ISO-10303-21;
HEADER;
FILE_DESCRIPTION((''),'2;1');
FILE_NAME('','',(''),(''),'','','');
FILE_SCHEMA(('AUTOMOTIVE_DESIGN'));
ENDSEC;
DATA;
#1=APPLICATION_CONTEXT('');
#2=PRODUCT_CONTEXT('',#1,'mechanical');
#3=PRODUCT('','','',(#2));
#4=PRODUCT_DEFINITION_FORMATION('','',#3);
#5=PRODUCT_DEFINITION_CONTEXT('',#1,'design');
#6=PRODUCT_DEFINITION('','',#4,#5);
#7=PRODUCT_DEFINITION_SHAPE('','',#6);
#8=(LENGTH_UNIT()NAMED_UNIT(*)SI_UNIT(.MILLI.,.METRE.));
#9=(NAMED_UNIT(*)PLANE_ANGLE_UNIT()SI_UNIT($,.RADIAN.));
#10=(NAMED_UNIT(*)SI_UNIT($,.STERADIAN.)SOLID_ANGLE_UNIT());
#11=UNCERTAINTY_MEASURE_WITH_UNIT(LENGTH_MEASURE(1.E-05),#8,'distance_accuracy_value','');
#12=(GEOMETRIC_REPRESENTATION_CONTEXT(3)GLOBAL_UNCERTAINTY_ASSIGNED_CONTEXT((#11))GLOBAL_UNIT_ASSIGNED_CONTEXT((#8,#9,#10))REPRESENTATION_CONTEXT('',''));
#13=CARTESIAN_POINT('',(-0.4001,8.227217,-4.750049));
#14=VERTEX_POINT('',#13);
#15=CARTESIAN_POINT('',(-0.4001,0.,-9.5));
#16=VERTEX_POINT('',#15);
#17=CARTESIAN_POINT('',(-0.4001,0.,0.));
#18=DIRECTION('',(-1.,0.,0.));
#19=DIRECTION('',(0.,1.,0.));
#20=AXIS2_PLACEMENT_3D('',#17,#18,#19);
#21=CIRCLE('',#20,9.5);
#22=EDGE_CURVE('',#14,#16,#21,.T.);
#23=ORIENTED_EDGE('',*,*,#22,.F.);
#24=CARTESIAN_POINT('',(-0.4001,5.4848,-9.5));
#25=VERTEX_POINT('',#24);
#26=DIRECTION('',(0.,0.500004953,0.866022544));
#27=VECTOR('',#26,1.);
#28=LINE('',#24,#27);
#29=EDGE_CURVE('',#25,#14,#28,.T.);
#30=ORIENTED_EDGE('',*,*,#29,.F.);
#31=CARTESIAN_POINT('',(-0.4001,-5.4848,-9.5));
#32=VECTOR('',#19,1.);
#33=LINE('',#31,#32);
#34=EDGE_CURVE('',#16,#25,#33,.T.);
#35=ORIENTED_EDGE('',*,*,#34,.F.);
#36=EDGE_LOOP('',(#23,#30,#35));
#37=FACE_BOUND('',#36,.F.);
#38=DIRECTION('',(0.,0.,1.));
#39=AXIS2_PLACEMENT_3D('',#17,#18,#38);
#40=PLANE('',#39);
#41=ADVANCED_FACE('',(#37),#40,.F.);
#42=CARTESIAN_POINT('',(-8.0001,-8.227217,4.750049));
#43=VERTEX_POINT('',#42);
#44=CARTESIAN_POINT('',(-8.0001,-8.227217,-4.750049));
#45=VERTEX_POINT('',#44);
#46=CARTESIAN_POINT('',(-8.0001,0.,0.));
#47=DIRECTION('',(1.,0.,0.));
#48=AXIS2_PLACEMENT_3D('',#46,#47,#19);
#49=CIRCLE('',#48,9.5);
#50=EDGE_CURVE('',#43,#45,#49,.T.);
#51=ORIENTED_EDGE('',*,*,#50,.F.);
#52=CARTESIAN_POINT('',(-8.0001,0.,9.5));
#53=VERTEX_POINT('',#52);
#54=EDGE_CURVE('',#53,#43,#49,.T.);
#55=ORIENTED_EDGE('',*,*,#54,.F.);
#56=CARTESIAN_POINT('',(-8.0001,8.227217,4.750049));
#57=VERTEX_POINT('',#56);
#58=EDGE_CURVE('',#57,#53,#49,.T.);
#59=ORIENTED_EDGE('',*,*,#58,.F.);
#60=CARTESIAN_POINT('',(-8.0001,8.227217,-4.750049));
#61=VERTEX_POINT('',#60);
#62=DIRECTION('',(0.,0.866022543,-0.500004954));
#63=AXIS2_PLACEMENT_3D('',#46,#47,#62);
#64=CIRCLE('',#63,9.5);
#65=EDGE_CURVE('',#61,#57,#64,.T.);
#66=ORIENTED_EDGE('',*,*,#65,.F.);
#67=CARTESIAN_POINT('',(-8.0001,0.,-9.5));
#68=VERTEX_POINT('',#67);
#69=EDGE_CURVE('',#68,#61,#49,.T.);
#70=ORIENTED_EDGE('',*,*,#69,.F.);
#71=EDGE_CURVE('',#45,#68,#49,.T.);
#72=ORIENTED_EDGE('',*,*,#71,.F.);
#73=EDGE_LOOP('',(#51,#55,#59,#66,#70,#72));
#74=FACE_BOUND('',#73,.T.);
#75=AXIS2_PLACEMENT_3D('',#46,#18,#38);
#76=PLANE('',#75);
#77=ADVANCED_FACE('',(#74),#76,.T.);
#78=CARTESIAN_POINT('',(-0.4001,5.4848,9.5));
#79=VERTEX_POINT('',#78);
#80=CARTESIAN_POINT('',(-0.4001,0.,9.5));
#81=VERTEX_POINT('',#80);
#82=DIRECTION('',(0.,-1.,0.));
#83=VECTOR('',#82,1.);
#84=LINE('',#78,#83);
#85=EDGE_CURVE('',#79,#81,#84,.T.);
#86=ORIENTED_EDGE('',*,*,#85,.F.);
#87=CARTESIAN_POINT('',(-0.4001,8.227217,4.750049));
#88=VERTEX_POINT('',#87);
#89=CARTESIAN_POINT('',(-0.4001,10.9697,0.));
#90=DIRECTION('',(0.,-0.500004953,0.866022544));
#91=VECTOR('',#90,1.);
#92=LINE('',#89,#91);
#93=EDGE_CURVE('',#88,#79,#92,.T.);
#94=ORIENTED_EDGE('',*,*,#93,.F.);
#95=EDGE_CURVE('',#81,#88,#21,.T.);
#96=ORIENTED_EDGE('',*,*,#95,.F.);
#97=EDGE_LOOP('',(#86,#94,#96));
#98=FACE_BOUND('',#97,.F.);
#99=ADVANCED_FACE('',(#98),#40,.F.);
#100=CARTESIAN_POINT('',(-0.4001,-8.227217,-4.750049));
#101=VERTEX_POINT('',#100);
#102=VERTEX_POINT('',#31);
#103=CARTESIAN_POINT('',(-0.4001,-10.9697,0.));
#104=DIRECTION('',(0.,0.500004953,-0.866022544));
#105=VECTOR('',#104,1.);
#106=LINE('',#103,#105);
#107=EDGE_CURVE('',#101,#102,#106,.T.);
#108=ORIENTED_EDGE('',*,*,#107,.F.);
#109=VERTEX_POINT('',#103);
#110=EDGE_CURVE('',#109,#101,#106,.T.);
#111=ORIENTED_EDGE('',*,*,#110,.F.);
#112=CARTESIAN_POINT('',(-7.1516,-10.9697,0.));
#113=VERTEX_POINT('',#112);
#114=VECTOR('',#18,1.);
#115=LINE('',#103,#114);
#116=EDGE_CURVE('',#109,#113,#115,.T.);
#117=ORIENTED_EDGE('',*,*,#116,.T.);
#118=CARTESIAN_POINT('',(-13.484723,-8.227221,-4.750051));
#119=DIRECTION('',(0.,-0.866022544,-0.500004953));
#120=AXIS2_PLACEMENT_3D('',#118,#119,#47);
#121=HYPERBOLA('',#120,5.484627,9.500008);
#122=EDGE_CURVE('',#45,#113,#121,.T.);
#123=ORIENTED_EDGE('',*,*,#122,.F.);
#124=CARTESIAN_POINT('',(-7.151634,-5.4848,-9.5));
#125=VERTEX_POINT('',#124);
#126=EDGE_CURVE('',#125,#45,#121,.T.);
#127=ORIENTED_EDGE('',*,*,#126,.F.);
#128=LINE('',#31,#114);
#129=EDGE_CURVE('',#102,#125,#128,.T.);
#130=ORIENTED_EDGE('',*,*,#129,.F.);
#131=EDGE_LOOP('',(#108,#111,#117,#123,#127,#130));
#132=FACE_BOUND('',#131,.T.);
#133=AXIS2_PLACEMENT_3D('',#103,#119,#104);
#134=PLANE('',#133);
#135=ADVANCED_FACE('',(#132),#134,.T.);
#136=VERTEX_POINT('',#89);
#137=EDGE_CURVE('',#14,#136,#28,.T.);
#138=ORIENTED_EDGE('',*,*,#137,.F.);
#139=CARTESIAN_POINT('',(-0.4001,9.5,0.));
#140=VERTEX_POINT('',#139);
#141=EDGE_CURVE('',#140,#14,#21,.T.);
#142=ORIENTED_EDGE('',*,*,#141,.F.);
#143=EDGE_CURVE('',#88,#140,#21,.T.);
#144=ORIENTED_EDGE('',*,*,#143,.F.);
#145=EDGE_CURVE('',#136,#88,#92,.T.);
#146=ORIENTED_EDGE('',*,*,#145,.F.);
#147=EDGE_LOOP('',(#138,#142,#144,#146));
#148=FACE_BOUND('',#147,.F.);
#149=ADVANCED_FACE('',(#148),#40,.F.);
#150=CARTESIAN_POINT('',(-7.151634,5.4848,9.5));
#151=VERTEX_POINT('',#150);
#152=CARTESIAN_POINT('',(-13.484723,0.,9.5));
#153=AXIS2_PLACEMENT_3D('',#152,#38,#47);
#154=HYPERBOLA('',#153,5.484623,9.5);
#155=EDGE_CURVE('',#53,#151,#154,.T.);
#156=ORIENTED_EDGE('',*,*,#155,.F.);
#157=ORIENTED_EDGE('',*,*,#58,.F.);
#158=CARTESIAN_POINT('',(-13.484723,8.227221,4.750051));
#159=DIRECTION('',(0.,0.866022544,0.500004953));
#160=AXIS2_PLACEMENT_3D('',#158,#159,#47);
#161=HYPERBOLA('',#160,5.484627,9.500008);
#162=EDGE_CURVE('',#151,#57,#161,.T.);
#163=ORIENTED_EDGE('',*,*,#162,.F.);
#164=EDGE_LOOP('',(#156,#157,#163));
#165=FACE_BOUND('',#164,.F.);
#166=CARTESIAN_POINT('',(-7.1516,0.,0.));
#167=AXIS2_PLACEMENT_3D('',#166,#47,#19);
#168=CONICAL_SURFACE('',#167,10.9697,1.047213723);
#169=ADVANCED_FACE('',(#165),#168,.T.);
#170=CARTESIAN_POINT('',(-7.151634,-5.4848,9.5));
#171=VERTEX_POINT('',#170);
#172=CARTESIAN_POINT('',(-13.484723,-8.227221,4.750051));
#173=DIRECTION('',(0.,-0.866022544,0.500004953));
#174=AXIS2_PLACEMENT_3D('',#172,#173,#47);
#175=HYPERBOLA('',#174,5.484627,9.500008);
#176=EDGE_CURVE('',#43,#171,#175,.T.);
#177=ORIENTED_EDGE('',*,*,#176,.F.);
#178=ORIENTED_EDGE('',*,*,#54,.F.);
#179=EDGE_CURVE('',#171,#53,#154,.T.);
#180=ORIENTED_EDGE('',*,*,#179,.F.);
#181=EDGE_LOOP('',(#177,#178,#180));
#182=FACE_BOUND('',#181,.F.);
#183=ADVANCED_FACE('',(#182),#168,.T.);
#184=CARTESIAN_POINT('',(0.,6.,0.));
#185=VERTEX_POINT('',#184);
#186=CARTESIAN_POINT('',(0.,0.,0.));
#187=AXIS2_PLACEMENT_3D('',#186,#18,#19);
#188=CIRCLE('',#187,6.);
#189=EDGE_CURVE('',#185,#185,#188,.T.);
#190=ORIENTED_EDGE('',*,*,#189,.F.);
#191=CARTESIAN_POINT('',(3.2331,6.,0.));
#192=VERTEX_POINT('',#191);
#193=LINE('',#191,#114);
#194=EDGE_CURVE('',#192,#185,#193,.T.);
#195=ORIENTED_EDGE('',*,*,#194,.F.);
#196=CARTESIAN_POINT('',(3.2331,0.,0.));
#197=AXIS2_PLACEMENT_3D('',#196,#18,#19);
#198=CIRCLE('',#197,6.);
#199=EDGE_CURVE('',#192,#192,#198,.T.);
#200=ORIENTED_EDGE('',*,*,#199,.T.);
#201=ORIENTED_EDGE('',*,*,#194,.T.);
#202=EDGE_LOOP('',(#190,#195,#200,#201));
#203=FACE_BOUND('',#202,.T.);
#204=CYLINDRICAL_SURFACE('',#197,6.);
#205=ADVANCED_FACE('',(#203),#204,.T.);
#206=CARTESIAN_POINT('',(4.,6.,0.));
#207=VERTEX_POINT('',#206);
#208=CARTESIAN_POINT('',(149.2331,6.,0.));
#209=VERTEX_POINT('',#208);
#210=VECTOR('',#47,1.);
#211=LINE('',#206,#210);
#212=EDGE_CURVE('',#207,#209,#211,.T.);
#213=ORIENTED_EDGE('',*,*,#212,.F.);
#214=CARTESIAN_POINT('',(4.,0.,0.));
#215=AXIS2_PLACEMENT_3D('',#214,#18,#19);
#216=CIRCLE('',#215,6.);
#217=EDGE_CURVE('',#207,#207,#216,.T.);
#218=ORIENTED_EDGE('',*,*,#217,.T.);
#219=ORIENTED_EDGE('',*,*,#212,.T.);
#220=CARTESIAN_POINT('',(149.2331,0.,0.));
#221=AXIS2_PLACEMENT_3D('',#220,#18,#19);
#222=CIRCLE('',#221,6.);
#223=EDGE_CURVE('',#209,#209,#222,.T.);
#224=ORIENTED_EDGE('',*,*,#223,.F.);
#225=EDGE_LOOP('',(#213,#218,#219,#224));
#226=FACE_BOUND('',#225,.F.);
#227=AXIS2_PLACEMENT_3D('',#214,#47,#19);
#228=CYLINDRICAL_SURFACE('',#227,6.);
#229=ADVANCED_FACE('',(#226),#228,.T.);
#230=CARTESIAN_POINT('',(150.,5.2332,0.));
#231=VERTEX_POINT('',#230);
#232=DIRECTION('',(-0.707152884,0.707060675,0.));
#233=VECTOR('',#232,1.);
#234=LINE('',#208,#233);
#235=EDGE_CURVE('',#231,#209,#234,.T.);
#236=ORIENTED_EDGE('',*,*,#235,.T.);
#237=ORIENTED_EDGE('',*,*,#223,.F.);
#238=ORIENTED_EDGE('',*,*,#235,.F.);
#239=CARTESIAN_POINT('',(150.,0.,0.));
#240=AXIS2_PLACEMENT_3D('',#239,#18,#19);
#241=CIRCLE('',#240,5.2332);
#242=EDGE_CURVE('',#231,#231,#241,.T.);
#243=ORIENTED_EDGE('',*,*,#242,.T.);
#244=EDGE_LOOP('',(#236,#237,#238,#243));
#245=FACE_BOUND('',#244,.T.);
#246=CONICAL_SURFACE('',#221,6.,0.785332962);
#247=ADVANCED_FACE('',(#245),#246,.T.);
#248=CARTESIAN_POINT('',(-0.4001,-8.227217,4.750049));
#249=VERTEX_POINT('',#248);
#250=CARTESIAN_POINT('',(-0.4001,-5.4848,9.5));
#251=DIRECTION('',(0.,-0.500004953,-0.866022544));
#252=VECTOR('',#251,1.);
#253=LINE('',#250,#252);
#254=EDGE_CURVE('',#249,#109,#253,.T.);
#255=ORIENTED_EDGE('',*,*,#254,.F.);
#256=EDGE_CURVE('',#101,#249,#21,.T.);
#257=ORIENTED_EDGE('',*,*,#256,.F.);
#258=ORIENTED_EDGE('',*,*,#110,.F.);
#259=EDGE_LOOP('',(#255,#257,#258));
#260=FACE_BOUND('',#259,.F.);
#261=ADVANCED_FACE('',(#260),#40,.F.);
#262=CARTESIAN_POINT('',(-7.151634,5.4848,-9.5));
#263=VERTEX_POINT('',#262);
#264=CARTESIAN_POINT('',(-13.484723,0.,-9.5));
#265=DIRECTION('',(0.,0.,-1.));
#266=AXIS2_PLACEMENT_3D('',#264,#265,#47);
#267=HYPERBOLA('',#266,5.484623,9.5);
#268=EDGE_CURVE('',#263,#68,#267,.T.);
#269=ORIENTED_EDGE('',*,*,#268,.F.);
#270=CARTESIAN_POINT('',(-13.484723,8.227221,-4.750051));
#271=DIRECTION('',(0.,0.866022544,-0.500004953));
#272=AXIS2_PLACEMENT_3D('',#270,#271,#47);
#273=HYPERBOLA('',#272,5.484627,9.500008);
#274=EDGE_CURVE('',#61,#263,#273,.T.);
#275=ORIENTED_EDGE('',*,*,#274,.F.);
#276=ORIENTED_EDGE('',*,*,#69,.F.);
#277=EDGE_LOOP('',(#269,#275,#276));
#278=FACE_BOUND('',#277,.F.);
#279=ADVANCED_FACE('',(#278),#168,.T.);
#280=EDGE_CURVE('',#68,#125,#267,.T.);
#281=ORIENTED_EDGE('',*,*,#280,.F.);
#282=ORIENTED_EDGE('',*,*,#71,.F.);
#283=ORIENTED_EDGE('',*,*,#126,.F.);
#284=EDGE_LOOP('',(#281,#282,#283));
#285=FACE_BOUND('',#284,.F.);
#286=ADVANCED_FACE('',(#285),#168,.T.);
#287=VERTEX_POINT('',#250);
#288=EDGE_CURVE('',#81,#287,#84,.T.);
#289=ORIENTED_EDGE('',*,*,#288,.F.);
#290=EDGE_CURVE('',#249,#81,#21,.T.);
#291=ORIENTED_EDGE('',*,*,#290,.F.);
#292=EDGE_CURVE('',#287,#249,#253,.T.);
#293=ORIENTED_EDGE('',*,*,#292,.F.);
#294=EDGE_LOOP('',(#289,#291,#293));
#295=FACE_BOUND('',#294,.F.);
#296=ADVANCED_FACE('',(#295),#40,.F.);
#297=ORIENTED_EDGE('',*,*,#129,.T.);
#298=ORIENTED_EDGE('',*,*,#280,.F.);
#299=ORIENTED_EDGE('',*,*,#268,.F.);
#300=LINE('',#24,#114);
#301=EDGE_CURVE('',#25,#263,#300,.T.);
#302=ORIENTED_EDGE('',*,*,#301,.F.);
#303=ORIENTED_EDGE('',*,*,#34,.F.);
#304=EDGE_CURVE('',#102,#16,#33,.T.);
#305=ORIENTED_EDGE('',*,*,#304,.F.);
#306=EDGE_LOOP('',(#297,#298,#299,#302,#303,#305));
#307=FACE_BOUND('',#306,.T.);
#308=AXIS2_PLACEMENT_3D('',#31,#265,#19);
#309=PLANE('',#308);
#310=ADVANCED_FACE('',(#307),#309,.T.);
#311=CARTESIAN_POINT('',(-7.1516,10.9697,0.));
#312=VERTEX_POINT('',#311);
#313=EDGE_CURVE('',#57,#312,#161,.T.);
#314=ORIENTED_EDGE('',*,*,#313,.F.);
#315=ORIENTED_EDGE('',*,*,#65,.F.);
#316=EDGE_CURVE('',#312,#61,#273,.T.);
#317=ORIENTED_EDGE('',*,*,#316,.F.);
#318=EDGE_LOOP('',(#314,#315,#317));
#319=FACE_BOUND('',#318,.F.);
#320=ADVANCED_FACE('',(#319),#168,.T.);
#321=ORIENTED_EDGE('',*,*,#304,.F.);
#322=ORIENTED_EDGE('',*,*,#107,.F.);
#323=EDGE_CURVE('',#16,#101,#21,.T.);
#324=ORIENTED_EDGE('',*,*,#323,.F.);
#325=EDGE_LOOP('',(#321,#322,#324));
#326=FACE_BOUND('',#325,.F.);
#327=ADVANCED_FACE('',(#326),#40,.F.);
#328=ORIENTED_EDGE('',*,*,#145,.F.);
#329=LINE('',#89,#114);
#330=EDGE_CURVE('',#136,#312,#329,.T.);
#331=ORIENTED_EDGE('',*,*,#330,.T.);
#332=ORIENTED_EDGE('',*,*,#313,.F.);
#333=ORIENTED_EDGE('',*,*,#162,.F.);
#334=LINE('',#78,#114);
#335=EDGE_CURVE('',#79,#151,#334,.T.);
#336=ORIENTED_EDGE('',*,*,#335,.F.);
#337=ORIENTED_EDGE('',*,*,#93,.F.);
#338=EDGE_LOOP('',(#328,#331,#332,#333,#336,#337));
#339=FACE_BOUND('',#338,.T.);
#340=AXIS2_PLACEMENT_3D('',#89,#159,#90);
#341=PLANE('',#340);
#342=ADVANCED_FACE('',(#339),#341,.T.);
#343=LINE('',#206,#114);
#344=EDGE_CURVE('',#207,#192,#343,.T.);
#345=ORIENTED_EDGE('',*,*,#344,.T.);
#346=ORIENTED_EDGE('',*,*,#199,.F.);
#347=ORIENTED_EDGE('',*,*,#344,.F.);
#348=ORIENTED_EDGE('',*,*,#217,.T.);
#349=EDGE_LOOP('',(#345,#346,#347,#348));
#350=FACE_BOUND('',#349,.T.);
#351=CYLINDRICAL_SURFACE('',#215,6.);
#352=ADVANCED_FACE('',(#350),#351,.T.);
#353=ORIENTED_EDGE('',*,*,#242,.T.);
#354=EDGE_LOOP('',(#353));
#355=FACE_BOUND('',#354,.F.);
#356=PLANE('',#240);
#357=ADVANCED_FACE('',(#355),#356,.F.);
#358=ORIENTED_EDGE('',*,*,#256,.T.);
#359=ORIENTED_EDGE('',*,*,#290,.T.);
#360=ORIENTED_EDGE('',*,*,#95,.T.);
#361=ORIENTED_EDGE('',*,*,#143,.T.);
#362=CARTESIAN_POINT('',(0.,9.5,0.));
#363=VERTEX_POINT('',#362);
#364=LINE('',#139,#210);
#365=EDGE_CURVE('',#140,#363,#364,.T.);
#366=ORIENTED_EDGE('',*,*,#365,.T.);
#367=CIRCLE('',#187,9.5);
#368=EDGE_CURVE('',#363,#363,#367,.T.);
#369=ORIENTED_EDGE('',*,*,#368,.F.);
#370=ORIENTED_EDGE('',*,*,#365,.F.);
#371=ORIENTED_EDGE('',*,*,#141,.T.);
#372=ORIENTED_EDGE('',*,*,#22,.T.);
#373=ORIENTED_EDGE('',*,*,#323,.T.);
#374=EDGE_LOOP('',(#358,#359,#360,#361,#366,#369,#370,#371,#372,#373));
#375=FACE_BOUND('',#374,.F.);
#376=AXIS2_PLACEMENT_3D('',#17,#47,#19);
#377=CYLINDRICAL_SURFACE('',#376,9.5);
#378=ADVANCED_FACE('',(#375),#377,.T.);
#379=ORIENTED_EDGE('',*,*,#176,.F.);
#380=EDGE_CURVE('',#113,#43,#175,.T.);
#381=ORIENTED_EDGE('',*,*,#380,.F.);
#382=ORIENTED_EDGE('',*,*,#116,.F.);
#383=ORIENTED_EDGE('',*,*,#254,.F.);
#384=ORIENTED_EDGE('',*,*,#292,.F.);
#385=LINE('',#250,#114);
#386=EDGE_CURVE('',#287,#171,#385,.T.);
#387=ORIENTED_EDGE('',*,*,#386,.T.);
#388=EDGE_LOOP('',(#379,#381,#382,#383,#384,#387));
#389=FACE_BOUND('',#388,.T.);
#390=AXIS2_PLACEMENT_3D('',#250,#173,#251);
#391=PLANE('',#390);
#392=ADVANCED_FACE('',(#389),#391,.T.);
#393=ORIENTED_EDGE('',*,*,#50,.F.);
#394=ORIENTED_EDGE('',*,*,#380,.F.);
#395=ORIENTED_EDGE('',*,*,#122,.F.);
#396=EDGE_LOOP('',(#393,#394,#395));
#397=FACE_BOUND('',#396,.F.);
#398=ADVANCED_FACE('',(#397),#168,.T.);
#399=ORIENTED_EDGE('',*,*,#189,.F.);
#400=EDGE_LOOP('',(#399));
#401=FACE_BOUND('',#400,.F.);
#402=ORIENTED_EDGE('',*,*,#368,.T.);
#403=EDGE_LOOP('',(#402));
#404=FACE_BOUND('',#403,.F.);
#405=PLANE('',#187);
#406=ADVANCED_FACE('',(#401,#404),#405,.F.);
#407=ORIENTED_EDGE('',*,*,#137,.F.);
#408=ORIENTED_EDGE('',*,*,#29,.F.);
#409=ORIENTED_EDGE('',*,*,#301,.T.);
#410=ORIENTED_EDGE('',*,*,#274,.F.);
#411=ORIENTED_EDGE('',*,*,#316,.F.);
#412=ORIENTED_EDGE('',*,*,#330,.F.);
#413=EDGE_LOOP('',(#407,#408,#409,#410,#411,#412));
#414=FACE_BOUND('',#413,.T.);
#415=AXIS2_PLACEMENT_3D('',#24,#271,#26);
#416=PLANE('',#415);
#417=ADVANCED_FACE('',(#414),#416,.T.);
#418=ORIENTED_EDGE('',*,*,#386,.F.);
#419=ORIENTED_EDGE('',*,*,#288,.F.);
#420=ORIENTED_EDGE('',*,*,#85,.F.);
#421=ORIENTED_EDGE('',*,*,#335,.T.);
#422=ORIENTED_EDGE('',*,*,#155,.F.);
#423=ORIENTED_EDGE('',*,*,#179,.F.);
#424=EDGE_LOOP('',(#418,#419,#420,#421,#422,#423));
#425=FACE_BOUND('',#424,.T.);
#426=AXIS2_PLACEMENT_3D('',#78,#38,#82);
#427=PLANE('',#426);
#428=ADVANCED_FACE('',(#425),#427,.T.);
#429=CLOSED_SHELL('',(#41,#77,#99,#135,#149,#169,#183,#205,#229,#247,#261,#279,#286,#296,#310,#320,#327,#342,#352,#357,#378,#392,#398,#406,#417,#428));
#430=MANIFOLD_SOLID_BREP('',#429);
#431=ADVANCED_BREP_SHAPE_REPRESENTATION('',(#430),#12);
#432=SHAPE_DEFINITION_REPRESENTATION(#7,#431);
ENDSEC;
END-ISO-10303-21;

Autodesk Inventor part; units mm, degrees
ref_plane "YZ Plane" through (0, 0, 0) normal (1, 0, 0) x (0, 1, 0)
ref_plane "XZ Plane" through (0, 0, 0) normal (0, 1, 0) x (-1, 0, 0)
sketch "Sketch1" plane through (0, 0, 0) normal (0, 0, 1) x (1, 0, 0)
  line L0 (0, 9.5) -> (0, 6)
  line L1 (4, 6) -> (150, 6)
  line L2 (150, 6) -> (150, 0)
  line L3 (150, 0) -> (-0.4001, 0)
  line L4 (-30.4801, 0) -> (180.08, 0) projected
  line L5 (-0.4001, 0) -> (-0.4001, 9.5)
  line L6 (-0.4001, 9.5) -> (0, 9.5)
  line L7 (4, 6) -> (3.2331, 6)
  line L8 (3.2331, 6) -> (0, 6)
  line L9 (0, -1.9) -> (0, 11.4) projected
  dimension "d0" = 150
  dimension "d1" = 146
  dimension "d2" = 12
  dimension "d9" = 0.4001
  dimension "d10" = 19
  dimension "d13" = 0.7669
  dimension "d14" = 12
revolve "Body" add sketch "Sketch1" angle 360 about axis through (150, 0, 0) along (-1, 0, 0)
sketch "Sketch2" plane through (-0.4001, 0, 0) normal (-1, 0, 0) x (0, 0, 1)
  line L0 (0, 10.9697) -> (9.5, 5.4848)
  line L1 (9.5, 5.4848) -> (9.5, -5.4848)
  line L2 (9.5, -5.4848) -> (0, -10.9697)
  line L3 (0, -10.9697) -> (-9.5, -5.4848)
  line L4 (-9.5, -5.4848) -> (-9.5, 5.4848)
  line L5 (-9.5, 5.4848) -> (0, 10.9697)
  point P0 (0, 0)
  point P1 (0, 0)
  dimension "d11" = 19
extrude "Head" add sketch "Sketch2" along normal blind 7.6
sketch "Sketch4" plane through (0, 0, 0) normal (0, 0, 1) x (1, 0, 0)
  line L0 (-8.0001, 9.5) -> (-8.0001, 10.9697)
  line L1 (-8.0001, 10.9697) -> (-7.1516, 10.9697)
  line L2 (-7.1516, 10.9697) -> (-8.0001, 9.5)
  line L3 (-9.5201, 0) -> (1.1199, 0) projected
  line L4 (-0.4001, 10.9697) -> (-8.0001, 10.9697) projected
  line L5 (-8.0001, 5.4848) -> (-8.0001, 10.9697) projected
  dimension "d5" = 30
  dimension "d19" = 19
revolve "Chamfer1" cut sketch "Sketch4" angle 360 about axis through (-10, 0, 0) along (1, 0, 0)
thread "Thread" size "M12x1.25" class "6g" standard "ISO Metric profile" length 146
chamfer "Chamfer2" distance 0.7668 distance2 0.7669 1 edges at (150, -6, 0) measured on face at (150, -1.326, -0.0818)
ref_plane "Work Plane1" through (1.525, 0, 0) normal (0, 0, 1) x (1, 0, 0)
equation "\"d0\" = NLG"
equation "\"d1\" = GEL"
equation "\"d2\" = GD"
equation "\"d10\" = SD2"
equation "\"d14\" = BDM"
equation "\"d11\" = SW"
equation "\"d3\" = KOH - SD"
equation "\"d5\" = ANG1"
equation "\"d19\" = SW0"
equation "\"d15\" = GEL"
equation "\"d6\" = -0.5 * SPD + 0.5 * GD"
equation "\"NLG\" = 150"
equation "\"GD\" = NND"
equation "\"BDM\" = NND"
equation "\"KOH\" = 8"
equation "\"GEL\" = 146"
equation "\"SW\" = 19"
equation "\"SW0\" = SW"
equation "\"SPD\" = NND - 1.2269 * PTC"
equation "\"SD2\" = SW"
equation "\"SD\" = WFT"
equation "\"ANG1\" = 30deg"
equation "\"GAL\" = 0.61345 * PTC"
equation "\"GUL\" = 0.61345 * PTC"
equation "\"RR\" = 0.6"
equation "\"WFT\" = 0.4"
equation "\"GD1\" = THREADDIA - 1.2269 * PTC"
equation "\"THREADDIA\" = 12"
equation "\"SDH\" = SW"
equation "\"TOA\" = 30deg"
equation "\"PTC\" = 1.25"
equation "\"NND\" = 12"
equation "\"E0\" = 1.155 * SW"
properties part number "CNS 4321 - M12 x 150" material "Steel, Mild"
